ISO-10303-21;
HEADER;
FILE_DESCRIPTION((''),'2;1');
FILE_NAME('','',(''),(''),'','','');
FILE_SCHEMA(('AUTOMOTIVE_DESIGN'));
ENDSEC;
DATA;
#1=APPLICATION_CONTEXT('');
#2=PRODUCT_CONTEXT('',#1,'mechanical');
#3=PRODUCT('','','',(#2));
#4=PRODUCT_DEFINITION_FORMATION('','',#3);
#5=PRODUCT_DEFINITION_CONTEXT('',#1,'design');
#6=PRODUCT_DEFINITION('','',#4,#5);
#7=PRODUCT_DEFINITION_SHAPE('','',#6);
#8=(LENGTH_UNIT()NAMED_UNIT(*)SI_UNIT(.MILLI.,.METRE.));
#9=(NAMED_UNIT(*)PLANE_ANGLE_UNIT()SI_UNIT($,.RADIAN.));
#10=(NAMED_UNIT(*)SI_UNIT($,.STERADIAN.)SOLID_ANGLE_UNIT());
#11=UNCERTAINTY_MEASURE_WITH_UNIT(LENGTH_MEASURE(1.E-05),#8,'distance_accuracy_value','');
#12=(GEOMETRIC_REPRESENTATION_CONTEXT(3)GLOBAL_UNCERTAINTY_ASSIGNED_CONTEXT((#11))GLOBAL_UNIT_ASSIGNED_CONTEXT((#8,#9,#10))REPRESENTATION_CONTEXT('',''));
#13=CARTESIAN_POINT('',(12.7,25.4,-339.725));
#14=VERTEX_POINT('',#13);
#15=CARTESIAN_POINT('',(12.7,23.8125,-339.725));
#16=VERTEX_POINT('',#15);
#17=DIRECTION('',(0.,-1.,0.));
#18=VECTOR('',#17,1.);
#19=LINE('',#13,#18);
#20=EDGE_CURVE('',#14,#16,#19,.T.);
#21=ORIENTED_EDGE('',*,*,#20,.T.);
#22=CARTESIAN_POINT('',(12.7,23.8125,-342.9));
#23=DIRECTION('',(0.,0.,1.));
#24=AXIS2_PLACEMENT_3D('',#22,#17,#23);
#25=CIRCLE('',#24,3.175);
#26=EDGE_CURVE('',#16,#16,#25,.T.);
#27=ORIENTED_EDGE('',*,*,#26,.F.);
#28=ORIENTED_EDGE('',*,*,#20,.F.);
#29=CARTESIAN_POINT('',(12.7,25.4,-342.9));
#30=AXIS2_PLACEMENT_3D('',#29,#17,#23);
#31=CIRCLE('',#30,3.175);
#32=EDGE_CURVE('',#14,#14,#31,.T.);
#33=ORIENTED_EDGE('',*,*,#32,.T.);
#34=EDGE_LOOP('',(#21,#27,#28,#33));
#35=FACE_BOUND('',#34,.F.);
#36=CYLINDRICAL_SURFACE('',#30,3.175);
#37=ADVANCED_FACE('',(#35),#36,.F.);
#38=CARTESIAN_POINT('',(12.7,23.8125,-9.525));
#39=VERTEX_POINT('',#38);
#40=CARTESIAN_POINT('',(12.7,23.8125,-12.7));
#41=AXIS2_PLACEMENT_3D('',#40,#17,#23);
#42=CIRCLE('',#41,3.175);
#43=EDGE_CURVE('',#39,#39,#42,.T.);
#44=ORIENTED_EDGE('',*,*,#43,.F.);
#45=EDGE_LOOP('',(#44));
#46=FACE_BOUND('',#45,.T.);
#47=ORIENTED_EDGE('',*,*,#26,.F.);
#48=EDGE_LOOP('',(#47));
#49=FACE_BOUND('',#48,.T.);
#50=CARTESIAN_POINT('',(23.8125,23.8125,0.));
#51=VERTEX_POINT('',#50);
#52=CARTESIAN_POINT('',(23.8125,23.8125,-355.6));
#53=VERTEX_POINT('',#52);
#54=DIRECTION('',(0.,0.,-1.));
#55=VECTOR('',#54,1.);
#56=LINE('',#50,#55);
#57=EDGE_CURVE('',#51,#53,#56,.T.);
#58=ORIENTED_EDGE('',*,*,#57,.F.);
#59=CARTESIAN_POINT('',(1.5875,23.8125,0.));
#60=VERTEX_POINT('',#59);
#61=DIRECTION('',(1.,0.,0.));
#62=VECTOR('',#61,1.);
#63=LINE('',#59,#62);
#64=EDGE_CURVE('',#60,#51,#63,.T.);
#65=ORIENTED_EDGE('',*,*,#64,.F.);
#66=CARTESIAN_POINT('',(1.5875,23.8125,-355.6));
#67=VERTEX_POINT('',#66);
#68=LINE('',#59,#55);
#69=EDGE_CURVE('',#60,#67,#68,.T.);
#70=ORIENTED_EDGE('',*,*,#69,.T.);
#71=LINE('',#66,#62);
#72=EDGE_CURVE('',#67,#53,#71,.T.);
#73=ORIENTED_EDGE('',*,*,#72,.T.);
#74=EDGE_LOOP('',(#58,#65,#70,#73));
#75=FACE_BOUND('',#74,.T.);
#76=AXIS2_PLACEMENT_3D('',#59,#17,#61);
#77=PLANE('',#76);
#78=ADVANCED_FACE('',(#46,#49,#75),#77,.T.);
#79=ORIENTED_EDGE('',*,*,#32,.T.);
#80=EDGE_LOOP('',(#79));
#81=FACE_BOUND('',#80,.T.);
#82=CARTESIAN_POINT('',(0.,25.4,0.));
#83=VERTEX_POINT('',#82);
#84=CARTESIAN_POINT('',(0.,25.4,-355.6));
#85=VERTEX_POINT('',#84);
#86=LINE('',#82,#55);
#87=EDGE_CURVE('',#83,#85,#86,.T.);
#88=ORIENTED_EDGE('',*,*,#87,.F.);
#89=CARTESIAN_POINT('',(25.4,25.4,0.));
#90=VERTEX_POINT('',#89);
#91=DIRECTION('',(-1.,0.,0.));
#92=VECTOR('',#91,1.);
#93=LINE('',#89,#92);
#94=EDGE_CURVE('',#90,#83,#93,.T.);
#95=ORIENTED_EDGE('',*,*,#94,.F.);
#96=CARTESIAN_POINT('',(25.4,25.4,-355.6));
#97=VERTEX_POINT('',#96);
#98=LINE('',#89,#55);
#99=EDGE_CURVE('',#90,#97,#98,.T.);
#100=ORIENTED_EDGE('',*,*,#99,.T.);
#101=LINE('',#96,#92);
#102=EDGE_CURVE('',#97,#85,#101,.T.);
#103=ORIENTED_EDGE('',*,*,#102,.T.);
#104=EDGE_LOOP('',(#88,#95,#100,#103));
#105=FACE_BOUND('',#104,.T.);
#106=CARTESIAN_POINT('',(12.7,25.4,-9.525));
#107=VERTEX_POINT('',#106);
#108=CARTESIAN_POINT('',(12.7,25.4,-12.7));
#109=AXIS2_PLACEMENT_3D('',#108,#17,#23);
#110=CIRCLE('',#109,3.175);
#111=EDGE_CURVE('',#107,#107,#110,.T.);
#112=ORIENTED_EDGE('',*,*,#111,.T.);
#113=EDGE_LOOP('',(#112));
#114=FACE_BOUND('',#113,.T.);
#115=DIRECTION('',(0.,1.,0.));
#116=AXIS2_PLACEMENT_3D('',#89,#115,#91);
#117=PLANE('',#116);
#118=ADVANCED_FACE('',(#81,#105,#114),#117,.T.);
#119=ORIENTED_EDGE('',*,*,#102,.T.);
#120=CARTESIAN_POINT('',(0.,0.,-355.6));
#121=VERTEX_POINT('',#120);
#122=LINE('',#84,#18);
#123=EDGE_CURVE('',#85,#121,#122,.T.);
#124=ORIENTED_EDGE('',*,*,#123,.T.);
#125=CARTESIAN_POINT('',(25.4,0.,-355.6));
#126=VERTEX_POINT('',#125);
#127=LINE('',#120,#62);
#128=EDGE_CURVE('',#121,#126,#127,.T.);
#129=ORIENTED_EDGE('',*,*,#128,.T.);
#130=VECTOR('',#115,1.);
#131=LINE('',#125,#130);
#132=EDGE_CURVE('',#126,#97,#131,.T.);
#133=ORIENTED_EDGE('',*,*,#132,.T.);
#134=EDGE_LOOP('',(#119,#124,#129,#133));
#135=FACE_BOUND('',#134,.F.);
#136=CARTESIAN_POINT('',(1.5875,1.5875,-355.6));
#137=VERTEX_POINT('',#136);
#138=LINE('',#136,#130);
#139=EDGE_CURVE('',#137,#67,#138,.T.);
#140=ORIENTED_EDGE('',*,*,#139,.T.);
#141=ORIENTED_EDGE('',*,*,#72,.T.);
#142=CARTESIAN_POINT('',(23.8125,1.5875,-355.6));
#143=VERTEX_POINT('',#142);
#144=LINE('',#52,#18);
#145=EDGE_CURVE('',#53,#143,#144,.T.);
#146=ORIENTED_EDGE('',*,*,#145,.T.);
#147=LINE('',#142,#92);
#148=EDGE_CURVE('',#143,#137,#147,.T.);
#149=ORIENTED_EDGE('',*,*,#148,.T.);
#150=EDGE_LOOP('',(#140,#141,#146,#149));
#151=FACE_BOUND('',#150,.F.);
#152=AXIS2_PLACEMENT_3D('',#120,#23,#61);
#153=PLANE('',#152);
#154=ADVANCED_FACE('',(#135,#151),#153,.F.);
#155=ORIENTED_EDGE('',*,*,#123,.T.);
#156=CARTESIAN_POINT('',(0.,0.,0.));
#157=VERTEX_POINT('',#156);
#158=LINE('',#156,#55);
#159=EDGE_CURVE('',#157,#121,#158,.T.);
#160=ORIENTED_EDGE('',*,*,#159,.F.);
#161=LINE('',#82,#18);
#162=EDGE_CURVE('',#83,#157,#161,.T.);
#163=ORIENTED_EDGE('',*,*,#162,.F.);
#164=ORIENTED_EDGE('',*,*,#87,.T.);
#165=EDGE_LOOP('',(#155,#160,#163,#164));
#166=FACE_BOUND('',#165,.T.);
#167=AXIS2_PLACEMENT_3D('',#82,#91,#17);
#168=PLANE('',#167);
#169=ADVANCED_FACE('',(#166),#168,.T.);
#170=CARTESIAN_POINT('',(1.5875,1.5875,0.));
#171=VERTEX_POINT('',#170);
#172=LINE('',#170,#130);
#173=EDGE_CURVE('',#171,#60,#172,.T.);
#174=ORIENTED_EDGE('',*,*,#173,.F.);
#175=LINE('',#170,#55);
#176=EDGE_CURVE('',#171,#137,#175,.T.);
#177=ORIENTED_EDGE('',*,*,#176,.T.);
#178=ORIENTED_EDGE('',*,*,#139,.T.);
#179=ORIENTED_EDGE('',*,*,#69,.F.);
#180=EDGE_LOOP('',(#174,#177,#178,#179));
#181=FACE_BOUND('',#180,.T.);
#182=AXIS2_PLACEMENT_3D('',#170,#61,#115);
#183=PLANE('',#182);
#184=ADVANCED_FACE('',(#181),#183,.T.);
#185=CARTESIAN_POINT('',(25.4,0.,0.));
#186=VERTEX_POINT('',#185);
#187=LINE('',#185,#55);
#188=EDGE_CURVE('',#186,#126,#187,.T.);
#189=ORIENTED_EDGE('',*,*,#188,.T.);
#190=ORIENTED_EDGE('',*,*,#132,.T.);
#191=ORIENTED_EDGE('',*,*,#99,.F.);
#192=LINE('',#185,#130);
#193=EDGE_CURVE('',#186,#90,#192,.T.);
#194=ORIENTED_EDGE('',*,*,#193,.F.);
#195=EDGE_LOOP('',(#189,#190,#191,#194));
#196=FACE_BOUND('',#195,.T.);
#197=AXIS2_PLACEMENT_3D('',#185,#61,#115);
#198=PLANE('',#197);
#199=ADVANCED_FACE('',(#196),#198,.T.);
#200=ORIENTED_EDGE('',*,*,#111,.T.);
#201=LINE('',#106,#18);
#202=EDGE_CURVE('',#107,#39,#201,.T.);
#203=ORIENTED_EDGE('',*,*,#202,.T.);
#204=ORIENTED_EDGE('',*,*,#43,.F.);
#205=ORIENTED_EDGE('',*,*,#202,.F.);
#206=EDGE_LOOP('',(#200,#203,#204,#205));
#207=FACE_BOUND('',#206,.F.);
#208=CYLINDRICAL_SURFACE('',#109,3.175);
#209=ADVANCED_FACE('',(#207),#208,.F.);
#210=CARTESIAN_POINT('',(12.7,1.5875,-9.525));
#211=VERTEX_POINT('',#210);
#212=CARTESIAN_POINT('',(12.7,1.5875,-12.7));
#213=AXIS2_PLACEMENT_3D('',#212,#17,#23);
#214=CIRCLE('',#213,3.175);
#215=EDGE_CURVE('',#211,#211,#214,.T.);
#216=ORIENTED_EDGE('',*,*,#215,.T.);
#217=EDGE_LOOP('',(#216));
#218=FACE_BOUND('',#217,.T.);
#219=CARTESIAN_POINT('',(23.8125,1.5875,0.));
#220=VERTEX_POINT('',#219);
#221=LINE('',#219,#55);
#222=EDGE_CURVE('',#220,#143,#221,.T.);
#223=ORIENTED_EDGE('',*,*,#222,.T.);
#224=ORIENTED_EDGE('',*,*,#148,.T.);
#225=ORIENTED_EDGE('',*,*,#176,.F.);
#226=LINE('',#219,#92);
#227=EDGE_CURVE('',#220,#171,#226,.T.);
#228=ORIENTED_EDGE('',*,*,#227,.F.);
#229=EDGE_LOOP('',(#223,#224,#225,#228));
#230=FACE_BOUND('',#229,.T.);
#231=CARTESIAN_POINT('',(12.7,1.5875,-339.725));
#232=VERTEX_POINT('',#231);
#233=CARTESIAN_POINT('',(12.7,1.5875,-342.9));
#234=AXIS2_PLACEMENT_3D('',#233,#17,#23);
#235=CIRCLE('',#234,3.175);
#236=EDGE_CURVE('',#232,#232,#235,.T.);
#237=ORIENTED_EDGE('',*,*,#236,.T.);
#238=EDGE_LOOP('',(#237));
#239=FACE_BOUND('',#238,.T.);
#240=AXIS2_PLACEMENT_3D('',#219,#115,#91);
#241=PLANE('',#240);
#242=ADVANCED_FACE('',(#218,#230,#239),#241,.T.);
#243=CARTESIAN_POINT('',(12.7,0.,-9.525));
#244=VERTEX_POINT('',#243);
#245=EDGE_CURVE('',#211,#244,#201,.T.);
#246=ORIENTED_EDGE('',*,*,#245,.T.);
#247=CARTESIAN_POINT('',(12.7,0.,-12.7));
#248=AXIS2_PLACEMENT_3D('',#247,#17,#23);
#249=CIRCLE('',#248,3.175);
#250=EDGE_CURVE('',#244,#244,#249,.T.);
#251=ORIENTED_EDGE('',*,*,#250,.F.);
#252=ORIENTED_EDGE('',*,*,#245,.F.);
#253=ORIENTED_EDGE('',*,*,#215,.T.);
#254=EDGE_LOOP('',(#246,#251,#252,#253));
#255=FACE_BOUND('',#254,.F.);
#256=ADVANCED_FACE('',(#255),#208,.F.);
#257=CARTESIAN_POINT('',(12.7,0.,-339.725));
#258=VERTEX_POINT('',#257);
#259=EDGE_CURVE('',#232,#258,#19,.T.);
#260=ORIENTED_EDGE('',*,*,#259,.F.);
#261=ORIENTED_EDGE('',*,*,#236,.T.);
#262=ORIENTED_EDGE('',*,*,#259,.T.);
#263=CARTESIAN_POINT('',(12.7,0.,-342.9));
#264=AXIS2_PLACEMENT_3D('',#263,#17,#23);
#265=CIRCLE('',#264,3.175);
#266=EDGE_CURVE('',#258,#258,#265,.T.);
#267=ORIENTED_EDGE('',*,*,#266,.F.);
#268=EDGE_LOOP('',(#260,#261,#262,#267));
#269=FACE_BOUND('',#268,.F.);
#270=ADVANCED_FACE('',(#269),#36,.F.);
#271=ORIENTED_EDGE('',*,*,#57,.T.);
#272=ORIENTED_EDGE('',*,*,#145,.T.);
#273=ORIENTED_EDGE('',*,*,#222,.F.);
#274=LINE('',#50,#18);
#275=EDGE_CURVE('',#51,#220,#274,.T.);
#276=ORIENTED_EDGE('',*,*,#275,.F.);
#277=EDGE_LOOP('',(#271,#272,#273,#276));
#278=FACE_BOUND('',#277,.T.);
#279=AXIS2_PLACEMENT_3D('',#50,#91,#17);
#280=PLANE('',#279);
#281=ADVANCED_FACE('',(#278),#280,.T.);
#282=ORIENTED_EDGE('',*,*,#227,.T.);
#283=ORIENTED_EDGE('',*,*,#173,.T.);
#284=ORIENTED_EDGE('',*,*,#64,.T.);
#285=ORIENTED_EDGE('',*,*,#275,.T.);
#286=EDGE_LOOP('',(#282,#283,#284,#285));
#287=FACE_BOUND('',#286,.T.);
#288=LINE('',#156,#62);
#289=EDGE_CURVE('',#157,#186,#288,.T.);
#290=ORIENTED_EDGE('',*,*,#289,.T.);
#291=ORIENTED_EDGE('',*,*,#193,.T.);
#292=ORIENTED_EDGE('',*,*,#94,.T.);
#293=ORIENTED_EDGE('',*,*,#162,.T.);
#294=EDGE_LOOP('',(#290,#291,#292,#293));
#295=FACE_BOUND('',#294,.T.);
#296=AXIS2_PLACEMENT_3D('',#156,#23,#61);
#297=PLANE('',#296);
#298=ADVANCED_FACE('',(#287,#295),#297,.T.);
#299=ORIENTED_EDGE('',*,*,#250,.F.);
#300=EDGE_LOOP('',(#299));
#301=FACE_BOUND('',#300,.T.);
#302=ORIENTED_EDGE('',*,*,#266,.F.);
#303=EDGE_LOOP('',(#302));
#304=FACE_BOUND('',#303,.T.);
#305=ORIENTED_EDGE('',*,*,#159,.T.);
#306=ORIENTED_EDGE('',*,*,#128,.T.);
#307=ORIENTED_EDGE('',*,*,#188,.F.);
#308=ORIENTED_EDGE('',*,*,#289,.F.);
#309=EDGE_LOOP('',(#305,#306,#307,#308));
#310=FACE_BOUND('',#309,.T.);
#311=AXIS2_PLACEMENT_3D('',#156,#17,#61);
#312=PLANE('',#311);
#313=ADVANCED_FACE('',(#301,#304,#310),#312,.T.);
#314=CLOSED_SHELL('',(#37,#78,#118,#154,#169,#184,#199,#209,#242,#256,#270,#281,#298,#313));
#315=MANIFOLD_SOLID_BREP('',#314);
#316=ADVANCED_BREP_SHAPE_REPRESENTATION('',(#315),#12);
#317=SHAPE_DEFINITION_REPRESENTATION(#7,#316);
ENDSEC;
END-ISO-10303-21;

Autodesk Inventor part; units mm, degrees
ref_plane "YZ Plane" through (0, 0, 0) normal (1, 0, 0) x (0, 1, 0)
ref_plane "XZ Plane" through (0, 0, 0) normal (0, 1, 0) x (-1, 0, 0)
ref_plane "XY Plane" through (0, 0, 0) normal (0, 0, 1) x (1, 0, 0)
sketch "Sketch1" plane through (0, 0, 0) normal (0, 0, 1) x (1, 0, 0)
  line L0 (0, 0) -> (25.4, 0)
  line L1 (25.4, 0) -> (25.4, 25.4)
  line L2 (25.4, 25.4) -> (0, 25.4)
  line L3 (0, 25.4) -> (0, 0)
  line L4 (1.5875, 23.8125) -> (23.8125, 23.8125)
  line L5 (23.8125, 23.8125) -> (23.8125, 1.5875)
  line L6 (23.8125, 1.5875) -> (1.5875, 1.5875)
  line L7 (1.5875, 1.5875) -> (1.5875, 23.8125)
  dimension "d0" = 25.4
  dimension "d1" = 25.4
  dimension "d2" = 1.5875
extrude "Extrusion1" add sketch "Sketch1" against normal blind 355.6
sketch "Sketch2" plane through (0, 25.4, 0) normal (0, 1, 0) x (1, 0, 0)
  line L0 (25.4, 355.6) -> (0, 355.6) projected
  line L1 (0, 0) -> (0, 355.6) projected
  line L2 (25.4, 0) -> (0, 0) projected
  point P0 (12.7, 12.7)
  point P1 (12.7, 342.9)
  dimension "d5" = 12.7
  dimension "d6" = 12.7
  dimension "d7" = 12.7
hole "Hole1" at (12.7, 25.4, -12.7) at (12.7, 25.4, -342.9) direction (0, -1, 0) diameter 6.35 depth 25.4 tip angle 118
properties part number "tube_m_f_in_cross"
